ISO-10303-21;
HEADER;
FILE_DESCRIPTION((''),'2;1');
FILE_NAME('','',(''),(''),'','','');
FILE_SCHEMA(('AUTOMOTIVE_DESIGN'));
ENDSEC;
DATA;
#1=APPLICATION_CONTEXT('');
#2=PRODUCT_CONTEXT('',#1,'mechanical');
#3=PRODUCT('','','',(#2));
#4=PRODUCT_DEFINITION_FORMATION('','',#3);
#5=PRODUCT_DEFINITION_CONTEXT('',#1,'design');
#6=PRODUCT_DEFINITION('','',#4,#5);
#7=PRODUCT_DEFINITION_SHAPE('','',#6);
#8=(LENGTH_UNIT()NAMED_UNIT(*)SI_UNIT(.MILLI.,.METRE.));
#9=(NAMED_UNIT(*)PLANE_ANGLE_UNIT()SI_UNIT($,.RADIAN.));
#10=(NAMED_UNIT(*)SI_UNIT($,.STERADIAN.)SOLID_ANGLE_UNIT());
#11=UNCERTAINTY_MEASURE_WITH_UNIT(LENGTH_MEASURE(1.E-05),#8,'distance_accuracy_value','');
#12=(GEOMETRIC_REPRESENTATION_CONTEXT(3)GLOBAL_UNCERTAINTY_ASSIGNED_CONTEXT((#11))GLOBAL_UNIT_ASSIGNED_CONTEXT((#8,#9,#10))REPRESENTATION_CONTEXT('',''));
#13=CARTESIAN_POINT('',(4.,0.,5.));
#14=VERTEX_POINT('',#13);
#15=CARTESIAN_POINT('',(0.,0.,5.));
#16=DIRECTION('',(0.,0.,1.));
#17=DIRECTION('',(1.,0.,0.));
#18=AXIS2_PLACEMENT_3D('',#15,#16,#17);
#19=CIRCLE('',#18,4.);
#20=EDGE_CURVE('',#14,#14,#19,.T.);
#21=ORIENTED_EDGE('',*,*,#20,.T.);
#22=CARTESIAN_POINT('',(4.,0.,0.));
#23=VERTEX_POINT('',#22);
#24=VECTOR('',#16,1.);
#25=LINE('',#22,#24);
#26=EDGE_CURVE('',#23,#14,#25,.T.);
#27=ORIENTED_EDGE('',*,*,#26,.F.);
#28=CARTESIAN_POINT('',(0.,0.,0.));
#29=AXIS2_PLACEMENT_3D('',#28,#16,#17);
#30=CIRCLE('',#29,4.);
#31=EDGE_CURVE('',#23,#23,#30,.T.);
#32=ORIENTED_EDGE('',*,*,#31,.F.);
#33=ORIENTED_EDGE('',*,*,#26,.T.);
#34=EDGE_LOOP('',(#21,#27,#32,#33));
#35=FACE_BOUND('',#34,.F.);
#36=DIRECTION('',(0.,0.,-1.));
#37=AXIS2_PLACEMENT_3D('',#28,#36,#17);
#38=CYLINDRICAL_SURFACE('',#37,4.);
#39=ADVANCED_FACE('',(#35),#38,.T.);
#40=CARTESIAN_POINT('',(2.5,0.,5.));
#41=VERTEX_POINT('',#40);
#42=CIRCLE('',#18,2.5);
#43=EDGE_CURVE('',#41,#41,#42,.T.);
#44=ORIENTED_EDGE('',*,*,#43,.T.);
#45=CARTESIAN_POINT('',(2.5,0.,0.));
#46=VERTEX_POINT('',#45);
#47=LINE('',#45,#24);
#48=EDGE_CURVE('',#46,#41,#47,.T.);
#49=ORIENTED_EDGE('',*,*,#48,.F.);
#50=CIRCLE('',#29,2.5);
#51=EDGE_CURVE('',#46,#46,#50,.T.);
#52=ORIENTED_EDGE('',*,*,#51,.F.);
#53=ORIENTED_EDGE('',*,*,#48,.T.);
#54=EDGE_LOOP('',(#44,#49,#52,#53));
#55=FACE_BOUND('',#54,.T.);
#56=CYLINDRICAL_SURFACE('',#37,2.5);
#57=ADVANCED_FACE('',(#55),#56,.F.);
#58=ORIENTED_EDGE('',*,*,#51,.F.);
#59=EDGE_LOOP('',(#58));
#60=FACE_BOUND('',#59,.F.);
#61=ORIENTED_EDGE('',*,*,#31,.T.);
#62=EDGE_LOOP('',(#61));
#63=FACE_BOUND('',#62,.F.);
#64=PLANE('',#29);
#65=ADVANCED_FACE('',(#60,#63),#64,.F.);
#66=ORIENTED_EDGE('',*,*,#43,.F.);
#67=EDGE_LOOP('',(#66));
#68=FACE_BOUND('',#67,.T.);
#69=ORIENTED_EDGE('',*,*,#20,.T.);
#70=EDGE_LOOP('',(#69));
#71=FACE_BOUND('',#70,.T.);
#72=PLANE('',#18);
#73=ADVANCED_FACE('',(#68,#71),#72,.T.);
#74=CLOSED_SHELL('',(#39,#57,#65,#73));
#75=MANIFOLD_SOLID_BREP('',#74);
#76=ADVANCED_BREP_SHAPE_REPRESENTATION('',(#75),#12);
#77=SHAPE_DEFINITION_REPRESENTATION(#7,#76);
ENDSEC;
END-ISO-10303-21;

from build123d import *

# Parameters (mm, degrees)
CYLINDER001_R     = 2.5
CYLINDER001_DEPTH = 5
CYLINDER_R        = 4
CYLINDER_DEPTH    = 5


with BuildPart() as zylinder001:
    # Cylinder001 → Cylinder001 (new body)
    with BuildSketch(Plane.XY):
        Circle(CYLINDER001_R)
    extrude(amount=CYLINDER001_DEPTH)


with BuildPart() as sliding_bearing:
    # Cylinder → Cylinder (new body)
    with BuildSketch(Plane.XY):
        Circle(CYLINDER_R)
    extrude(amount=CYLINDER_DEPTH)

    # Cut: cut Zylinder001
    add(zylinder001.part, mode=Mode.SUBTRACT)


solid = sliding_bearing.part
